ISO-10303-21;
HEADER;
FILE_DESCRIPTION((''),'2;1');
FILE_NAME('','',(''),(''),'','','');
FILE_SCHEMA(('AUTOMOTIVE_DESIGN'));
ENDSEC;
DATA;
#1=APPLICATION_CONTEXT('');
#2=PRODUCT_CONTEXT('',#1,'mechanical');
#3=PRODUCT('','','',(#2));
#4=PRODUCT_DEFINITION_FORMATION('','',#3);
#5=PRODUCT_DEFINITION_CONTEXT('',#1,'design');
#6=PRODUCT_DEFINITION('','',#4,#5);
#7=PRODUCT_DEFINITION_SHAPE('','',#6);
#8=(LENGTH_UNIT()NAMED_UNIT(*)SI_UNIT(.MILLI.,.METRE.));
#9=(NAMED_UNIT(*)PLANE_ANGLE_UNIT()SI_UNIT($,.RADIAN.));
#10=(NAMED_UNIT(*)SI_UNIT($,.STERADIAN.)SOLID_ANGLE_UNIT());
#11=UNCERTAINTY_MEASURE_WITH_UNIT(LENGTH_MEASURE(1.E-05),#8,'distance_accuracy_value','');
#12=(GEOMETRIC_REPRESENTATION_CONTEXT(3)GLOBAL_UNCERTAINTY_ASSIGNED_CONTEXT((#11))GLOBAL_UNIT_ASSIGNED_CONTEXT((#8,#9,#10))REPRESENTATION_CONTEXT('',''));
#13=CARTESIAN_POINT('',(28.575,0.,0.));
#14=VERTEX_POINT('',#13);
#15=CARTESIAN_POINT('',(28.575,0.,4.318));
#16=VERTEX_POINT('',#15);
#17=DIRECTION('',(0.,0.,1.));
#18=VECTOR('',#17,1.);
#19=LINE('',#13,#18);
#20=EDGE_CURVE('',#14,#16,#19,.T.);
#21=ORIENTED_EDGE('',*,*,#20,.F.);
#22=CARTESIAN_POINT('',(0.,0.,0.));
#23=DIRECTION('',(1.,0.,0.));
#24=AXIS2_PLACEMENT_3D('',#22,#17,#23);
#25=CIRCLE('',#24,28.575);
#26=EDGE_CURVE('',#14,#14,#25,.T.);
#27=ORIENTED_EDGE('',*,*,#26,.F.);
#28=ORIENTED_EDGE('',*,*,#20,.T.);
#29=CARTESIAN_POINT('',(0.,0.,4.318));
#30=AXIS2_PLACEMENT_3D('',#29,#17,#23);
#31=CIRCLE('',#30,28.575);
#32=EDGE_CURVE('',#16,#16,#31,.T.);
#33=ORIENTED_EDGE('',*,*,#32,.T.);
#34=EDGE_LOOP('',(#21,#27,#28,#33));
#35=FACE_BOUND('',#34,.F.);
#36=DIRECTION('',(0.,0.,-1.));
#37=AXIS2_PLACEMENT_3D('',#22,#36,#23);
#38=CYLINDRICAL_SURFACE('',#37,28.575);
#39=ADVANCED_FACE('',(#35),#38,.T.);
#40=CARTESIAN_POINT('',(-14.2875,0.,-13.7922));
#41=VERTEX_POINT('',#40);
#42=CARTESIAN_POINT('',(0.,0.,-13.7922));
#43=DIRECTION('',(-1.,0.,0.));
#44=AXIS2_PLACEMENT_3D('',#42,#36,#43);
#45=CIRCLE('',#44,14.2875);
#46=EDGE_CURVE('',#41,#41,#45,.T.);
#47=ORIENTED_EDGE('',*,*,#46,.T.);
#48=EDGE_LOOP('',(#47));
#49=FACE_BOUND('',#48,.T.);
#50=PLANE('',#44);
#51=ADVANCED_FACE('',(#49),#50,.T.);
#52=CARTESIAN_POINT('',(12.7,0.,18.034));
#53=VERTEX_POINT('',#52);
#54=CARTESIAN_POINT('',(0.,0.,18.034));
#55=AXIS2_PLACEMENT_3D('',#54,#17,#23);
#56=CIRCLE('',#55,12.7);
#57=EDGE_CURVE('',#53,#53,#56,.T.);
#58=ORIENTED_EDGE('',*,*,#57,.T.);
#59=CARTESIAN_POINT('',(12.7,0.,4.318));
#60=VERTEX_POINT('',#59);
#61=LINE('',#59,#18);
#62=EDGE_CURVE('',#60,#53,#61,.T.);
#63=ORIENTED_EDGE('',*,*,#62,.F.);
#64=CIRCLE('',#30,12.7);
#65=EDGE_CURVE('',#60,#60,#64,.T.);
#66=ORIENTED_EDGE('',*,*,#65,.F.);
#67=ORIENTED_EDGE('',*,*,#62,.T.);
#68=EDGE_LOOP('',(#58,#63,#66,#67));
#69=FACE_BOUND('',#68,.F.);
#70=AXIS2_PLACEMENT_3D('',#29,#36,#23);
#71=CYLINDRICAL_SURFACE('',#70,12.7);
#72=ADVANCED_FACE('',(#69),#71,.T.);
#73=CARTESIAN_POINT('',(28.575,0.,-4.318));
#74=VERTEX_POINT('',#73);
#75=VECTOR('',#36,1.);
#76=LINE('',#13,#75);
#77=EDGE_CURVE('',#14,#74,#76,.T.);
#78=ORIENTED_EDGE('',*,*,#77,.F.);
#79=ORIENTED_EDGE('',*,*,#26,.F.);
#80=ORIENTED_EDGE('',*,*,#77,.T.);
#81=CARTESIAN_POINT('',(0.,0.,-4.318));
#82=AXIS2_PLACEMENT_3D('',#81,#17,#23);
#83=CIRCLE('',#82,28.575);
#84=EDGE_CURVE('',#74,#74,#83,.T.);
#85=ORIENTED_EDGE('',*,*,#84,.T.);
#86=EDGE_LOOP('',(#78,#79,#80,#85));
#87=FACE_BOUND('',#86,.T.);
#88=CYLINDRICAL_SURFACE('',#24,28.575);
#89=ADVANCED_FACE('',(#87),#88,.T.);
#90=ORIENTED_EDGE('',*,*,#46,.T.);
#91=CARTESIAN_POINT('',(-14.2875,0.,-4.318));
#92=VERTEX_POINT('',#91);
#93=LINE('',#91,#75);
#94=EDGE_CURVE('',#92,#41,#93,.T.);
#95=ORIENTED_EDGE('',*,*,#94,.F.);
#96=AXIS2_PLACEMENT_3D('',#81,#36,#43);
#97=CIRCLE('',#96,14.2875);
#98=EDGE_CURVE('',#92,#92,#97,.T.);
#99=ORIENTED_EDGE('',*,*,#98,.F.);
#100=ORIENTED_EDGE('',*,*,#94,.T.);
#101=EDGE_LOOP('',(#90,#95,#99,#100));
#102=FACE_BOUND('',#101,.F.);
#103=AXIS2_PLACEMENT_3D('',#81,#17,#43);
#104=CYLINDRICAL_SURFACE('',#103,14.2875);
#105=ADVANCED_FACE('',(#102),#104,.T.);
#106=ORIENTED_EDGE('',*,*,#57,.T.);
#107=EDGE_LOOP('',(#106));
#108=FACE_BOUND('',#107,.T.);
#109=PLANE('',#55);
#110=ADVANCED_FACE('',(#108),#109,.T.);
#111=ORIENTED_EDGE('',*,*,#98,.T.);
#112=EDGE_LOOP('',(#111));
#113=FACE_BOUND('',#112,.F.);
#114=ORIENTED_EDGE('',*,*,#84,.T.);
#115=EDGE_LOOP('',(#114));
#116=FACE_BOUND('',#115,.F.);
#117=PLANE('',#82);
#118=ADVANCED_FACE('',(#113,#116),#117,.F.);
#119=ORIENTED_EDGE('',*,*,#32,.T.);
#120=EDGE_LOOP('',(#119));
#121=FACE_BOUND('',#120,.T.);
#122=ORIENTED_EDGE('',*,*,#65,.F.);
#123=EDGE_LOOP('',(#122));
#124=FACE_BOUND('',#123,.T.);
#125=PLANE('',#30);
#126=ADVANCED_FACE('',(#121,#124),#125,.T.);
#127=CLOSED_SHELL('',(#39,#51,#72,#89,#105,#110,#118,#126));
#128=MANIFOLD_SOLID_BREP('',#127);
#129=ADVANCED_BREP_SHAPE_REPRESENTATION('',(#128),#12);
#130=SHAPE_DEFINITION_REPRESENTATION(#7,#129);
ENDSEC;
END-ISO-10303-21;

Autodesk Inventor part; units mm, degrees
ref_plane "YZ Plane" through (0, 0, 0) normal (1, 0, 0) x (0, 1, 0)
ref_plane "XZ Plane" through (0, 0, 0) normal (0, 1, 0) x (-1, 0, 0)
ref_plane "XY Plane" through (0, 0, 0) normal (0, 0, 1) x (1, 0, 0)
sketch "Sketch1" plane through (0, 0, 0) normal (0, 0, 1) x (1, 0, 0)
  circle A0 centre (0, 0) radius 28.575
  dimension "d0" = 57.15
extrude "Extrusion1" add sketch "Sketch1" along normal mid plane 8.636
sketch "Sketch2" plane through (0, 0, 4.318) normal (0, 0, 1) x (1, 0, 0)
  circle A0 centre (0, 0) radius 12.7
  dimension "d3" = 25.4
extrude "Extrusion2" add sketch "Sketch2" along normal blind 13.716
sketch "Sketch3" plane through (0, 0, -4.318) normal (0, 0, -1) x (-1, 0, 0)
  circle A0 centre (0, 0) radius 14.2875
  dimension "d6" = 28.575
extrude "Extrusion3" add sketch "Sketch3" along normal blind 9.4742
properties part number "newCoupler"
